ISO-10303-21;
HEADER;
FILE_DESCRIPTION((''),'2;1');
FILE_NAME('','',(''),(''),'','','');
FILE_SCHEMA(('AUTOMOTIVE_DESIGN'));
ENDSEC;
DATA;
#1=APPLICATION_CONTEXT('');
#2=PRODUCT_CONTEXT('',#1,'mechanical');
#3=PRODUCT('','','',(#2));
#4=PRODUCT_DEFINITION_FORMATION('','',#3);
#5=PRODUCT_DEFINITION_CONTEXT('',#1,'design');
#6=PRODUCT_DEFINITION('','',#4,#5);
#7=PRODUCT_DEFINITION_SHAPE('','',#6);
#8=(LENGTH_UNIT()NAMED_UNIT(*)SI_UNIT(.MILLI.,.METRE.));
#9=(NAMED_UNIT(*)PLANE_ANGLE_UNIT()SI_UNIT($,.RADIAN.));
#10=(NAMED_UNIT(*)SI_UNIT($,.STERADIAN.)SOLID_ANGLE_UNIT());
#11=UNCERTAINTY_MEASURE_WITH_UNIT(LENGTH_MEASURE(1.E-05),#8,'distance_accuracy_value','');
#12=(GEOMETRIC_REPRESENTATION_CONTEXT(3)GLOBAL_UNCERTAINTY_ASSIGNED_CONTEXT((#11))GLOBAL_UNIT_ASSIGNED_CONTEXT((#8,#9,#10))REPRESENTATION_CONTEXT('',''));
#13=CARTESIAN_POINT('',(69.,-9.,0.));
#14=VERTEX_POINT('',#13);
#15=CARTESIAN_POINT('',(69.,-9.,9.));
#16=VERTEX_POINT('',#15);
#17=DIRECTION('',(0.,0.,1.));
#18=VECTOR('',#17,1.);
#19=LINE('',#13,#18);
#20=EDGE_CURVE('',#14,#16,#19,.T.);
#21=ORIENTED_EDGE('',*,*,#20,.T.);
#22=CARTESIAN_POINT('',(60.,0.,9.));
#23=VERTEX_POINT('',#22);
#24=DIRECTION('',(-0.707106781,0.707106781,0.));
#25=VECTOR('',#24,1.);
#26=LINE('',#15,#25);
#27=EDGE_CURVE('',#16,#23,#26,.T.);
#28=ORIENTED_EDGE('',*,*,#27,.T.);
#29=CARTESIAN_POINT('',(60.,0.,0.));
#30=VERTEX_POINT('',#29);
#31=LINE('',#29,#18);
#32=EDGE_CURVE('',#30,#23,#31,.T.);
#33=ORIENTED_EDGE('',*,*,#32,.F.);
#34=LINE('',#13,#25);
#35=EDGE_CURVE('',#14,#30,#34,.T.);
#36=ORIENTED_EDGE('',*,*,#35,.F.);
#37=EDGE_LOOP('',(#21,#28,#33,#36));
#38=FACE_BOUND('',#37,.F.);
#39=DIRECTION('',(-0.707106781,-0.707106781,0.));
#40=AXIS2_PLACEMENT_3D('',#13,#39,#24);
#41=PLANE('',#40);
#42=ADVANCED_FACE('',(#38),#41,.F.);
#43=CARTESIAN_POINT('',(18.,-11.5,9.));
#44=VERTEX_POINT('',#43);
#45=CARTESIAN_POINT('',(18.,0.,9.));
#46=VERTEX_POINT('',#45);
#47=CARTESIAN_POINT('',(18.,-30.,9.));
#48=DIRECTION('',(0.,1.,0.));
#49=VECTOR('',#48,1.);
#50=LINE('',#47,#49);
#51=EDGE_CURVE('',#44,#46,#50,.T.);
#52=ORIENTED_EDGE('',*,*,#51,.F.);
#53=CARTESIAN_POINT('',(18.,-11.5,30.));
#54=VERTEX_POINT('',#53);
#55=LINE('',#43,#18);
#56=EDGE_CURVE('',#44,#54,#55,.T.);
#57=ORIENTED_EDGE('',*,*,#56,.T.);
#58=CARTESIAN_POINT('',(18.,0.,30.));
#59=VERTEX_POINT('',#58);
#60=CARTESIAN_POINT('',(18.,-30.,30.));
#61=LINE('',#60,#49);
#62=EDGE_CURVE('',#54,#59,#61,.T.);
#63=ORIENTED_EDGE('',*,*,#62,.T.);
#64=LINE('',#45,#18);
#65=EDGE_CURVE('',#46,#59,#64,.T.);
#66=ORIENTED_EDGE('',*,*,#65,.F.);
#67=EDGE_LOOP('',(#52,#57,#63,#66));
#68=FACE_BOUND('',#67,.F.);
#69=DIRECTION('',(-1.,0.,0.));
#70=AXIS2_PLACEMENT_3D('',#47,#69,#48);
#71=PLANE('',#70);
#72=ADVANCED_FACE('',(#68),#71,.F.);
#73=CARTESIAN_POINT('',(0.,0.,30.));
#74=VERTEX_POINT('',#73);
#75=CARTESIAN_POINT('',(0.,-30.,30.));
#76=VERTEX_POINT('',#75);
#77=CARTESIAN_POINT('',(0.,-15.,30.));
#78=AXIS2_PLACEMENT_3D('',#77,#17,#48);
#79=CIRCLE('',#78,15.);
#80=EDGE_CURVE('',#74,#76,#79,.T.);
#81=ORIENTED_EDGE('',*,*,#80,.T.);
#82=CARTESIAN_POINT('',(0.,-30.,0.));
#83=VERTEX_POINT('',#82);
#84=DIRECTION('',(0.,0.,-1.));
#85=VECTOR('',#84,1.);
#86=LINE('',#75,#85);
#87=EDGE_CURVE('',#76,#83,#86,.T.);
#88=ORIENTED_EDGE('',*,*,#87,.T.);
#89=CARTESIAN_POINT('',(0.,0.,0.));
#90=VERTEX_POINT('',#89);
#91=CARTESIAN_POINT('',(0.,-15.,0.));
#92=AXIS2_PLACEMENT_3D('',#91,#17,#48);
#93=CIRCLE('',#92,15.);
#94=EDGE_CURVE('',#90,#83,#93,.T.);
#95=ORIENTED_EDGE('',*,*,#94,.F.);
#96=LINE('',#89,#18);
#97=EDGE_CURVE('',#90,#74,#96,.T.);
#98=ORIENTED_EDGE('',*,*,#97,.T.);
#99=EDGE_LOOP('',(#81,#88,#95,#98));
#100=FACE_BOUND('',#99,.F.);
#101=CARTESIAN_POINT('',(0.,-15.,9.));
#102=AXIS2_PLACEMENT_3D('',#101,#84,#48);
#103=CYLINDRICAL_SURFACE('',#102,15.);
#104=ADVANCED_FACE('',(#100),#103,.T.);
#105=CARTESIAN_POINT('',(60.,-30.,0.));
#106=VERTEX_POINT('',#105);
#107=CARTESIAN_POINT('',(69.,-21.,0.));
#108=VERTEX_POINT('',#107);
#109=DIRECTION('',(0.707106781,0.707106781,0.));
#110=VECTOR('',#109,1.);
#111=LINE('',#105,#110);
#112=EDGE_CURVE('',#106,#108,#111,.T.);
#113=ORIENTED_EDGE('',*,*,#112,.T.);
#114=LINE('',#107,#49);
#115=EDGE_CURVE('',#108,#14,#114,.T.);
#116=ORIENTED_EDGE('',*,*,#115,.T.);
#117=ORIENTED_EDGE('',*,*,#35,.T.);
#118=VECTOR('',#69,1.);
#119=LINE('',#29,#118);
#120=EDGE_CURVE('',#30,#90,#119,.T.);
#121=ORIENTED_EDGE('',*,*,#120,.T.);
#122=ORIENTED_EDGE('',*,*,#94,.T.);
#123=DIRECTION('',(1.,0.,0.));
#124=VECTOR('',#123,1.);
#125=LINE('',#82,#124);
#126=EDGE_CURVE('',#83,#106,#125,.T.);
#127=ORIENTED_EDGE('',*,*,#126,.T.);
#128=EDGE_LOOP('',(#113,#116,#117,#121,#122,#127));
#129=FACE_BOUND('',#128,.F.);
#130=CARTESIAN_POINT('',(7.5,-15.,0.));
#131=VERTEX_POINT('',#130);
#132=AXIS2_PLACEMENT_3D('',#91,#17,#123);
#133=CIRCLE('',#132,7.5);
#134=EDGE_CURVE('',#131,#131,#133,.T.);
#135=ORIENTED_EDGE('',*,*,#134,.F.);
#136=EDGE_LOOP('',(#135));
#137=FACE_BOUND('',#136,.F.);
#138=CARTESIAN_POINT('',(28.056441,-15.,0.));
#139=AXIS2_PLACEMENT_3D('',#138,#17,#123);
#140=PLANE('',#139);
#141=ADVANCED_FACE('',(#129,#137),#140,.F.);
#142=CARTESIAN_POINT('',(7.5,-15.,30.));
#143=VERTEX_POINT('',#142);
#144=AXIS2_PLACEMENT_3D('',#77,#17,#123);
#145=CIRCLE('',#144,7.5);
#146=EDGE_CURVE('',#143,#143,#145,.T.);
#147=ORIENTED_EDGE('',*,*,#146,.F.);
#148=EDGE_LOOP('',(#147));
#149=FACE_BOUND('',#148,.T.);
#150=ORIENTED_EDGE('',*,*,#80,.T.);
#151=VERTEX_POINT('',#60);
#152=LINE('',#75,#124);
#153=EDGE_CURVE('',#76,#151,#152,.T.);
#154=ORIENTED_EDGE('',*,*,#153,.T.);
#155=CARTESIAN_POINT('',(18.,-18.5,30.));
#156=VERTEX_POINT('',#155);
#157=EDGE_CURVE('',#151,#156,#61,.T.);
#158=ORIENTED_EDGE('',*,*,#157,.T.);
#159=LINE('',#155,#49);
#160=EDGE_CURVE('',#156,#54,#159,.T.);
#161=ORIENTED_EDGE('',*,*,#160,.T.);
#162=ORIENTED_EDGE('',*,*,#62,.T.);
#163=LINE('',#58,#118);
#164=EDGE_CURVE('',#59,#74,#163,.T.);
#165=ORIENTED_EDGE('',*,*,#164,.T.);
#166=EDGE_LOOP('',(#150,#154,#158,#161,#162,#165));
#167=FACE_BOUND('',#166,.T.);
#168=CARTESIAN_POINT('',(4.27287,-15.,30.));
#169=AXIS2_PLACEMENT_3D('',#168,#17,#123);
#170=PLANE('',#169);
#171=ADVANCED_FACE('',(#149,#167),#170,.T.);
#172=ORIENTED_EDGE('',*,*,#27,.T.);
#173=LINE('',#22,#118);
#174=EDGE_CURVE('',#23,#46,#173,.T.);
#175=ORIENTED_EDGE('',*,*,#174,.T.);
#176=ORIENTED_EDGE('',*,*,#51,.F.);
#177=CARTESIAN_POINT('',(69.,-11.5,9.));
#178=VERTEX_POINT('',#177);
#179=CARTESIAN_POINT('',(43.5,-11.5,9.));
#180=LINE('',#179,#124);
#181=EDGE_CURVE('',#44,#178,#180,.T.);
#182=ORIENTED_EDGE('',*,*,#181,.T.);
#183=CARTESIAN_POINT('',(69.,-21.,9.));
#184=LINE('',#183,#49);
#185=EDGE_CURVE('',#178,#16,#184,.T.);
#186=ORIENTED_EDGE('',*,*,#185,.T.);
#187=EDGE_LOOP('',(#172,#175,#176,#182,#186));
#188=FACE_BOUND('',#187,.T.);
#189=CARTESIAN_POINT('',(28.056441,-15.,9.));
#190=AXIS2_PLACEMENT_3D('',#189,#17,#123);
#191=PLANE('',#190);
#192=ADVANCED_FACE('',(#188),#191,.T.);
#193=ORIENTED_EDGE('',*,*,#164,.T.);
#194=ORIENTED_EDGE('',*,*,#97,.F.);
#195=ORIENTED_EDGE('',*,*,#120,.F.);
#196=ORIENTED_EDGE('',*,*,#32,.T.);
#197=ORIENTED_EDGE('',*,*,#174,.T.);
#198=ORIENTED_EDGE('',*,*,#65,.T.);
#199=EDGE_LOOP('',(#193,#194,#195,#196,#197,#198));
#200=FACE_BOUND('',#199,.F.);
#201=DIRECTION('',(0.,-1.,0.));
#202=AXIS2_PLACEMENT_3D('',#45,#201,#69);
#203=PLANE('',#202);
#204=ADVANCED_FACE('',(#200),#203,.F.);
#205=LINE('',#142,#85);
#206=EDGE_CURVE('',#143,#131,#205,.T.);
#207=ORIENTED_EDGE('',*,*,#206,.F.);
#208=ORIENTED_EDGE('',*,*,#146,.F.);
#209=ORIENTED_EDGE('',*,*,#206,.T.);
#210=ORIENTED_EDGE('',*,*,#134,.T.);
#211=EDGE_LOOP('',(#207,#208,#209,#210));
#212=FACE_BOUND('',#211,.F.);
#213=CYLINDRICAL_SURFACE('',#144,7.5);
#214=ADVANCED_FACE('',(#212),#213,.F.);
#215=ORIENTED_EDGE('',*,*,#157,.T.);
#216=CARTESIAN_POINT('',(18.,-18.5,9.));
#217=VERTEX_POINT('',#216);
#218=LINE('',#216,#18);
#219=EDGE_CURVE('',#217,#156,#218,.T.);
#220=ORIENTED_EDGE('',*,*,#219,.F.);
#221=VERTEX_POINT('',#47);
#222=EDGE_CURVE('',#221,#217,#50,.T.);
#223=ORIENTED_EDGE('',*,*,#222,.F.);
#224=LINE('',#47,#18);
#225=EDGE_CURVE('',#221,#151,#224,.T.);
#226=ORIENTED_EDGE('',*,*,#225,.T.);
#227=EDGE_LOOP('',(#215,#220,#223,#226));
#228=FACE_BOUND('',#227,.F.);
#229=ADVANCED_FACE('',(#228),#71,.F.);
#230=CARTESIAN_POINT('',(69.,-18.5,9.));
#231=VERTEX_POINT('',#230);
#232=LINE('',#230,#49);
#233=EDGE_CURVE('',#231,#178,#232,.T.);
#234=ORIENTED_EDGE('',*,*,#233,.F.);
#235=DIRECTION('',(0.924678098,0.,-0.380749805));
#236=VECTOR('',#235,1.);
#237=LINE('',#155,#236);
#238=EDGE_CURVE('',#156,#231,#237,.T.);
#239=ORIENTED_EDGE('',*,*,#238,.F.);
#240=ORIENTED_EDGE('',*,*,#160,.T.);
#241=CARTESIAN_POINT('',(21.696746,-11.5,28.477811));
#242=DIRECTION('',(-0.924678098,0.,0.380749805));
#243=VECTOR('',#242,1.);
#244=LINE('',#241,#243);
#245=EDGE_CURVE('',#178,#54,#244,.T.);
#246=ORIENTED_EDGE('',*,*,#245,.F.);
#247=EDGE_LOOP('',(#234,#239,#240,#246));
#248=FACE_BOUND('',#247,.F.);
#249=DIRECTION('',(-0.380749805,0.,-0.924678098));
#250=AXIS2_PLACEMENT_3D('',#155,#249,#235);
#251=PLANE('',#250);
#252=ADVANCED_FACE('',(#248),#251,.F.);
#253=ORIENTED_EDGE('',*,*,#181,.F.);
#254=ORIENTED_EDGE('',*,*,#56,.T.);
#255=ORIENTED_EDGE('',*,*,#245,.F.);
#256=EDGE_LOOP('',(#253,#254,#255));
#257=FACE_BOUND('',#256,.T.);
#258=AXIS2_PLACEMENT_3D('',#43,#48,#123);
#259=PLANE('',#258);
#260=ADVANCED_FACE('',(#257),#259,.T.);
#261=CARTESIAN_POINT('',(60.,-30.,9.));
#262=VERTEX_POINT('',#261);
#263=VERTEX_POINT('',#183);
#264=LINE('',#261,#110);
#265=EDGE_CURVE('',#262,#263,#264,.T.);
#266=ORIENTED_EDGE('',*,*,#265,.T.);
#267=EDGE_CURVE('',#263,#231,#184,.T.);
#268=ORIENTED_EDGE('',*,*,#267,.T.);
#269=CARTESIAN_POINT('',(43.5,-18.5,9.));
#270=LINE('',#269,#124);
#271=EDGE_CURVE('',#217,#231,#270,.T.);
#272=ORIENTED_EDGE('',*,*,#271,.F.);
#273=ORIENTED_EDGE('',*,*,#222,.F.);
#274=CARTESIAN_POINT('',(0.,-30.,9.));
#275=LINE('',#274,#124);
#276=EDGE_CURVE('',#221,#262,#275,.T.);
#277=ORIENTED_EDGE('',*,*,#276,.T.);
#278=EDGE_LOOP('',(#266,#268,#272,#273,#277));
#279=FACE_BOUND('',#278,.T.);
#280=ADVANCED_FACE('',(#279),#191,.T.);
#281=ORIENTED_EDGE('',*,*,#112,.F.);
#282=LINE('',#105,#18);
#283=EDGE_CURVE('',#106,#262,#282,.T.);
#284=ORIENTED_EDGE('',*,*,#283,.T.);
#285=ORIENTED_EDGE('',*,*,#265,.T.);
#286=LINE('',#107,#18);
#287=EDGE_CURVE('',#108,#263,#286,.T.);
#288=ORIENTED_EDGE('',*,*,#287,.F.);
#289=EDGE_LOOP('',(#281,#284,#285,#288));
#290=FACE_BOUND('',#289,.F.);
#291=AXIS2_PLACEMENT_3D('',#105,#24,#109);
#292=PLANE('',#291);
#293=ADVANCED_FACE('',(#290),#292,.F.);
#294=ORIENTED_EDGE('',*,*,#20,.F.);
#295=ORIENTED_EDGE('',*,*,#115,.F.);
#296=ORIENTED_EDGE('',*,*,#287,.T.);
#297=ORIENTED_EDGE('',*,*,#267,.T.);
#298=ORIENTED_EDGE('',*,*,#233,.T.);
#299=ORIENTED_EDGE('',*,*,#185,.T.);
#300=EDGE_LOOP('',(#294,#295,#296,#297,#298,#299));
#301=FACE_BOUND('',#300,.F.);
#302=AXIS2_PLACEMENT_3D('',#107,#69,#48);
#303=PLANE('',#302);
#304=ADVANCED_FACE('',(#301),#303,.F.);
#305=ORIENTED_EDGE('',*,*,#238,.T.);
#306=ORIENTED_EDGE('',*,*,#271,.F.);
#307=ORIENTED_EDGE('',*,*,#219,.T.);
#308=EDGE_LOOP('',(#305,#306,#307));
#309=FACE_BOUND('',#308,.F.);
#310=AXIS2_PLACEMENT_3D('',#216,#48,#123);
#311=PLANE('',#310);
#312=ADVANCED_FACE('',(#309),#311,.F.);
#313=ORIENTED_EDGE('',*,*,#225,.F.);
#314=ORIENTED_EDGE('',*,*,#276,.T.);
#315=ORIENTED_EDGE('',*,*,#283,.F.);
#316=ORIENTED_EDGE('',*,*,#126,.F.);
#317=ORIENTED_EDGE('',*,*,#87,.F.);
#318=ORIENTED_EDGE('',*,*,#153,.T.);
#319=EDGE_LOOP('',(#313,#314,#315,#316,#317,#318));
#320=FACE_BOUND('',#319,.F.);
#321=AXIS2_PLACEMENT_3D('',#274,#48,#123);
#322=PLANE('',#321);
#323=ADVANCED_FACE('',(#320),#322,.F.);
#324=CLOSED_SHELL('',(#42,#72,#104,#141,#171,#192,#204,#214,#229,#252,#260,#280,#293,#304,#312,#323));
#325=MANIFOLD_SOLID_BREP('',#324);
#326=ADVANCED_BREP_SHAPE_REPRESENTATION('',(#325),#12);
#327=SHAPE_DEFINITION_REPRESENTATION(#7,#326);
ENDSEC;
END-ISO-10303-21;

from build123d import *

# Parameters (mm, degrees)
F1_DEPTH = 9
F3_DEPTH = 21
F4_R     = 7.5
F5_DEPTH = 30
F6_W     = 51
F6_H     = 7
F7_DEPTH = 21
F9_DEPTH = 25


with BuildPart() as f1:
    # F0 (on Top) → F1 (new body)
    with BuildSketch(Plane.XY):
        with BuildLine():
            Line((60, 0), (0, 0))
            ThreePointArc((0, 0), (-15, -15), (0, -30))
            Line((0, -30), (60, -30))
            Line((60, -30), (69, -21))
            Line((69, -21), (69, -9))
            Line((69, -9), (60, 0))
        make_face()
    extrude(amount=F1_DEPTH)

    # F2 (on face) → F3 (join)
    with BuildSketch(Plane.XY.offset(9)):
        with BuildLine():
            Line((18, -30), (18, 0))
            Line((18, 0), (0, 0))
            ThreePointArc((0, 0), (-15, -15), (0, -30))
            Line((0, -30), (18, -30))
        make_face()
    extrude(amount=F3_DEPTH)

    # F4 (on face) → F5 (cut)
    with BuildSketch(Plane.XY.offset(30)):
        with Locations((0, -15)):
            Circle(F4_R)
    extrude(amount=-F5_DEPTH, mode=Mode.SUBTRACT)

    # F6 (on face) → F7 (join)
    with BuildSketch(Plane.XY.offset(9)):
        with Locations((43.5, -15)):
            Rectangle(F6_W, F6_H)
    extrude(amount=F7_DEPTH)

    # F8 (on face) → F9 (cut)
    with BuildSketch(Plane.XZ.offset(18.5)):
        Polygon((69, 30), (18, 30), (69, 9), align=None)
    extrude(amount=-F9_DEPTH, mode=Mode.SUBTRACT)


solid = f1.part
